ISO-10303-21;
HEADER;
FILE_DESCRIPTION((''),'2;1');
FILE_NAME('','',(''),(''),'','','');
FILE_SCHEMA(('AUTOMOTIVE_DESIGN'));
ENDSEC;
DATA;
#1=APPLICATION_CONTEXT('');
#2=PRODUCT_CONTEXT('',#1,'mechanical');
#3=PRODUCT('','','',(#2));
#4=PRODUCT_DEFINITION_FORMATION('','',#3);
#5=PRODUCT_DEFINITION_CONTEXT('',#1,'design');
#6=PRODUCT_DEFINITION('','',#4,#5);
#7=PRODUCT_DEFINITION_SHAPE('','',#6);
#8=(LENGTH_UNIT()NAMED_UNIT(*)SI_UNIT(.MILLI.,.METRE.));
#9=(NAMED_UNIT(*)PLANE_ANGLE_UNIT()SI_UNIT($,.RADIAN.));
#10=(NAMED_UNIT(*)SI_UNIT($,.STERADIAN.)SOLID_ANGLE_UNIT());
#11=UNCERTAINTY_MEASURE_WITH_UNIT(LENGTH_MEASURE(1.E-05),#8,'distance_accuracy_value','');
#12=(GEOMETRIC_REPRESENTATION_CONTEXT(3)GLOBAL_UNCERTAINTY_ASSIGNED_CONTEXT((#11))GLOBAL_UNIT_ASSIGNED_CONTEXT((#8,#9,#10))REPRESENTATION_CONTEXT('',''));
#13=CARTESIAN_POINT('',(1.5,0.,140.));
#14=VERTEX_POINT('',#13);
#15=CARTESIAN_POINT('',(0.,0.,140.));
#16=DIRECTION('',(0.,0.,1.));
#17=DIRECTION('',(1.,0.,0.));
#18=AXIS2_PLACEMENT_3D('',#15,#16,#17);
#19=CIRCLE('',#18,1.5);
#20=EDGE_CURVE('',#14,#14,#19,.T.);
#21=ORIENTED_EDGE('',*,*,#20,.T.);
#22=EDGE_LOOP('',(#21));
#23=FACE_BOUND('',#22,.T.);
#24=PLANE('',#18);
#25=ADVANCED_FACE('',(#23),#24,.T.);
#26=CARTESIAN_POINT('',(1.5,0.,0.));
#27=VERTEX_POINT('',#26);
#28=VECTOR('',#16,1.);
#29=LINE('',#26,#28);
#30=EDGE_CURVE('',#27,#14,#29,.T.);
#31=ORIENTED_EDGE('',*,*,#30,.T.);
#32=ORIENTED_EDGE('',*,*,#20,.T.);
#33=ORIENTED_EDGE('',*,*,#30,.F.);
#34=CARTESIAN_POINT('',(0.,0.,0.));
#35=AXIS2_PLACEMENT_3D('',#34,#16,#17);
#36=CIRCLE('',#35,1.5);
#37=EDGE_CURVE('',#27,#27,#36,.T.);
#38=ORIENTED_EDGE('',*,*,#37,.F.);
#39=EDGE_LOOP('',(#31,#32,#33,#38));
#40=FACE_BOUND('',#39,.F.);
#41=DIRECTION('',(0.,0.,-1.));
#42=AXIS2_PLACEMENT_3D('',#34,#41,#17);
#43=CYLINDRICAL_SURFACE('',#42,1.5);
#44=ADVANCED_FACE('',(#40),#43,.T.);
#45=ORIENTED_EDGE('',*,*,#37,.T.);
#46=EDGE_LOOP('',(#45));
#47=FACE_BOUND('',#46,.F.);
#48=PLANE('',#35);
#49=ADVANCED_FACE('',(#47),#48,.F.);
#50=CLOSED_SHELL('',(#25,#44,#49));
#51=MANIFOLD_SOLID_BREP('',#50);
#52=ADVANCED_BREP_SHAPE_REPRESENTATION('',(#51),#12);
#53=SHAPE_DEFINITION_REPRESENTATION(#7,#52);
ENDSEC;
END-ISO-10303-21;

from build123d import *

# Parameters (mm, degrees)
SKETCH_R  = 1.5
PAD_DEPTH = 140


with BuildPart() as part:
    # Sketch → Pad (new body)
    with BuildSketch(Plane.XY):
        Circle(SKETCH_R)
    extrude(amount=PAD_DEPTH)


solid = part.part
